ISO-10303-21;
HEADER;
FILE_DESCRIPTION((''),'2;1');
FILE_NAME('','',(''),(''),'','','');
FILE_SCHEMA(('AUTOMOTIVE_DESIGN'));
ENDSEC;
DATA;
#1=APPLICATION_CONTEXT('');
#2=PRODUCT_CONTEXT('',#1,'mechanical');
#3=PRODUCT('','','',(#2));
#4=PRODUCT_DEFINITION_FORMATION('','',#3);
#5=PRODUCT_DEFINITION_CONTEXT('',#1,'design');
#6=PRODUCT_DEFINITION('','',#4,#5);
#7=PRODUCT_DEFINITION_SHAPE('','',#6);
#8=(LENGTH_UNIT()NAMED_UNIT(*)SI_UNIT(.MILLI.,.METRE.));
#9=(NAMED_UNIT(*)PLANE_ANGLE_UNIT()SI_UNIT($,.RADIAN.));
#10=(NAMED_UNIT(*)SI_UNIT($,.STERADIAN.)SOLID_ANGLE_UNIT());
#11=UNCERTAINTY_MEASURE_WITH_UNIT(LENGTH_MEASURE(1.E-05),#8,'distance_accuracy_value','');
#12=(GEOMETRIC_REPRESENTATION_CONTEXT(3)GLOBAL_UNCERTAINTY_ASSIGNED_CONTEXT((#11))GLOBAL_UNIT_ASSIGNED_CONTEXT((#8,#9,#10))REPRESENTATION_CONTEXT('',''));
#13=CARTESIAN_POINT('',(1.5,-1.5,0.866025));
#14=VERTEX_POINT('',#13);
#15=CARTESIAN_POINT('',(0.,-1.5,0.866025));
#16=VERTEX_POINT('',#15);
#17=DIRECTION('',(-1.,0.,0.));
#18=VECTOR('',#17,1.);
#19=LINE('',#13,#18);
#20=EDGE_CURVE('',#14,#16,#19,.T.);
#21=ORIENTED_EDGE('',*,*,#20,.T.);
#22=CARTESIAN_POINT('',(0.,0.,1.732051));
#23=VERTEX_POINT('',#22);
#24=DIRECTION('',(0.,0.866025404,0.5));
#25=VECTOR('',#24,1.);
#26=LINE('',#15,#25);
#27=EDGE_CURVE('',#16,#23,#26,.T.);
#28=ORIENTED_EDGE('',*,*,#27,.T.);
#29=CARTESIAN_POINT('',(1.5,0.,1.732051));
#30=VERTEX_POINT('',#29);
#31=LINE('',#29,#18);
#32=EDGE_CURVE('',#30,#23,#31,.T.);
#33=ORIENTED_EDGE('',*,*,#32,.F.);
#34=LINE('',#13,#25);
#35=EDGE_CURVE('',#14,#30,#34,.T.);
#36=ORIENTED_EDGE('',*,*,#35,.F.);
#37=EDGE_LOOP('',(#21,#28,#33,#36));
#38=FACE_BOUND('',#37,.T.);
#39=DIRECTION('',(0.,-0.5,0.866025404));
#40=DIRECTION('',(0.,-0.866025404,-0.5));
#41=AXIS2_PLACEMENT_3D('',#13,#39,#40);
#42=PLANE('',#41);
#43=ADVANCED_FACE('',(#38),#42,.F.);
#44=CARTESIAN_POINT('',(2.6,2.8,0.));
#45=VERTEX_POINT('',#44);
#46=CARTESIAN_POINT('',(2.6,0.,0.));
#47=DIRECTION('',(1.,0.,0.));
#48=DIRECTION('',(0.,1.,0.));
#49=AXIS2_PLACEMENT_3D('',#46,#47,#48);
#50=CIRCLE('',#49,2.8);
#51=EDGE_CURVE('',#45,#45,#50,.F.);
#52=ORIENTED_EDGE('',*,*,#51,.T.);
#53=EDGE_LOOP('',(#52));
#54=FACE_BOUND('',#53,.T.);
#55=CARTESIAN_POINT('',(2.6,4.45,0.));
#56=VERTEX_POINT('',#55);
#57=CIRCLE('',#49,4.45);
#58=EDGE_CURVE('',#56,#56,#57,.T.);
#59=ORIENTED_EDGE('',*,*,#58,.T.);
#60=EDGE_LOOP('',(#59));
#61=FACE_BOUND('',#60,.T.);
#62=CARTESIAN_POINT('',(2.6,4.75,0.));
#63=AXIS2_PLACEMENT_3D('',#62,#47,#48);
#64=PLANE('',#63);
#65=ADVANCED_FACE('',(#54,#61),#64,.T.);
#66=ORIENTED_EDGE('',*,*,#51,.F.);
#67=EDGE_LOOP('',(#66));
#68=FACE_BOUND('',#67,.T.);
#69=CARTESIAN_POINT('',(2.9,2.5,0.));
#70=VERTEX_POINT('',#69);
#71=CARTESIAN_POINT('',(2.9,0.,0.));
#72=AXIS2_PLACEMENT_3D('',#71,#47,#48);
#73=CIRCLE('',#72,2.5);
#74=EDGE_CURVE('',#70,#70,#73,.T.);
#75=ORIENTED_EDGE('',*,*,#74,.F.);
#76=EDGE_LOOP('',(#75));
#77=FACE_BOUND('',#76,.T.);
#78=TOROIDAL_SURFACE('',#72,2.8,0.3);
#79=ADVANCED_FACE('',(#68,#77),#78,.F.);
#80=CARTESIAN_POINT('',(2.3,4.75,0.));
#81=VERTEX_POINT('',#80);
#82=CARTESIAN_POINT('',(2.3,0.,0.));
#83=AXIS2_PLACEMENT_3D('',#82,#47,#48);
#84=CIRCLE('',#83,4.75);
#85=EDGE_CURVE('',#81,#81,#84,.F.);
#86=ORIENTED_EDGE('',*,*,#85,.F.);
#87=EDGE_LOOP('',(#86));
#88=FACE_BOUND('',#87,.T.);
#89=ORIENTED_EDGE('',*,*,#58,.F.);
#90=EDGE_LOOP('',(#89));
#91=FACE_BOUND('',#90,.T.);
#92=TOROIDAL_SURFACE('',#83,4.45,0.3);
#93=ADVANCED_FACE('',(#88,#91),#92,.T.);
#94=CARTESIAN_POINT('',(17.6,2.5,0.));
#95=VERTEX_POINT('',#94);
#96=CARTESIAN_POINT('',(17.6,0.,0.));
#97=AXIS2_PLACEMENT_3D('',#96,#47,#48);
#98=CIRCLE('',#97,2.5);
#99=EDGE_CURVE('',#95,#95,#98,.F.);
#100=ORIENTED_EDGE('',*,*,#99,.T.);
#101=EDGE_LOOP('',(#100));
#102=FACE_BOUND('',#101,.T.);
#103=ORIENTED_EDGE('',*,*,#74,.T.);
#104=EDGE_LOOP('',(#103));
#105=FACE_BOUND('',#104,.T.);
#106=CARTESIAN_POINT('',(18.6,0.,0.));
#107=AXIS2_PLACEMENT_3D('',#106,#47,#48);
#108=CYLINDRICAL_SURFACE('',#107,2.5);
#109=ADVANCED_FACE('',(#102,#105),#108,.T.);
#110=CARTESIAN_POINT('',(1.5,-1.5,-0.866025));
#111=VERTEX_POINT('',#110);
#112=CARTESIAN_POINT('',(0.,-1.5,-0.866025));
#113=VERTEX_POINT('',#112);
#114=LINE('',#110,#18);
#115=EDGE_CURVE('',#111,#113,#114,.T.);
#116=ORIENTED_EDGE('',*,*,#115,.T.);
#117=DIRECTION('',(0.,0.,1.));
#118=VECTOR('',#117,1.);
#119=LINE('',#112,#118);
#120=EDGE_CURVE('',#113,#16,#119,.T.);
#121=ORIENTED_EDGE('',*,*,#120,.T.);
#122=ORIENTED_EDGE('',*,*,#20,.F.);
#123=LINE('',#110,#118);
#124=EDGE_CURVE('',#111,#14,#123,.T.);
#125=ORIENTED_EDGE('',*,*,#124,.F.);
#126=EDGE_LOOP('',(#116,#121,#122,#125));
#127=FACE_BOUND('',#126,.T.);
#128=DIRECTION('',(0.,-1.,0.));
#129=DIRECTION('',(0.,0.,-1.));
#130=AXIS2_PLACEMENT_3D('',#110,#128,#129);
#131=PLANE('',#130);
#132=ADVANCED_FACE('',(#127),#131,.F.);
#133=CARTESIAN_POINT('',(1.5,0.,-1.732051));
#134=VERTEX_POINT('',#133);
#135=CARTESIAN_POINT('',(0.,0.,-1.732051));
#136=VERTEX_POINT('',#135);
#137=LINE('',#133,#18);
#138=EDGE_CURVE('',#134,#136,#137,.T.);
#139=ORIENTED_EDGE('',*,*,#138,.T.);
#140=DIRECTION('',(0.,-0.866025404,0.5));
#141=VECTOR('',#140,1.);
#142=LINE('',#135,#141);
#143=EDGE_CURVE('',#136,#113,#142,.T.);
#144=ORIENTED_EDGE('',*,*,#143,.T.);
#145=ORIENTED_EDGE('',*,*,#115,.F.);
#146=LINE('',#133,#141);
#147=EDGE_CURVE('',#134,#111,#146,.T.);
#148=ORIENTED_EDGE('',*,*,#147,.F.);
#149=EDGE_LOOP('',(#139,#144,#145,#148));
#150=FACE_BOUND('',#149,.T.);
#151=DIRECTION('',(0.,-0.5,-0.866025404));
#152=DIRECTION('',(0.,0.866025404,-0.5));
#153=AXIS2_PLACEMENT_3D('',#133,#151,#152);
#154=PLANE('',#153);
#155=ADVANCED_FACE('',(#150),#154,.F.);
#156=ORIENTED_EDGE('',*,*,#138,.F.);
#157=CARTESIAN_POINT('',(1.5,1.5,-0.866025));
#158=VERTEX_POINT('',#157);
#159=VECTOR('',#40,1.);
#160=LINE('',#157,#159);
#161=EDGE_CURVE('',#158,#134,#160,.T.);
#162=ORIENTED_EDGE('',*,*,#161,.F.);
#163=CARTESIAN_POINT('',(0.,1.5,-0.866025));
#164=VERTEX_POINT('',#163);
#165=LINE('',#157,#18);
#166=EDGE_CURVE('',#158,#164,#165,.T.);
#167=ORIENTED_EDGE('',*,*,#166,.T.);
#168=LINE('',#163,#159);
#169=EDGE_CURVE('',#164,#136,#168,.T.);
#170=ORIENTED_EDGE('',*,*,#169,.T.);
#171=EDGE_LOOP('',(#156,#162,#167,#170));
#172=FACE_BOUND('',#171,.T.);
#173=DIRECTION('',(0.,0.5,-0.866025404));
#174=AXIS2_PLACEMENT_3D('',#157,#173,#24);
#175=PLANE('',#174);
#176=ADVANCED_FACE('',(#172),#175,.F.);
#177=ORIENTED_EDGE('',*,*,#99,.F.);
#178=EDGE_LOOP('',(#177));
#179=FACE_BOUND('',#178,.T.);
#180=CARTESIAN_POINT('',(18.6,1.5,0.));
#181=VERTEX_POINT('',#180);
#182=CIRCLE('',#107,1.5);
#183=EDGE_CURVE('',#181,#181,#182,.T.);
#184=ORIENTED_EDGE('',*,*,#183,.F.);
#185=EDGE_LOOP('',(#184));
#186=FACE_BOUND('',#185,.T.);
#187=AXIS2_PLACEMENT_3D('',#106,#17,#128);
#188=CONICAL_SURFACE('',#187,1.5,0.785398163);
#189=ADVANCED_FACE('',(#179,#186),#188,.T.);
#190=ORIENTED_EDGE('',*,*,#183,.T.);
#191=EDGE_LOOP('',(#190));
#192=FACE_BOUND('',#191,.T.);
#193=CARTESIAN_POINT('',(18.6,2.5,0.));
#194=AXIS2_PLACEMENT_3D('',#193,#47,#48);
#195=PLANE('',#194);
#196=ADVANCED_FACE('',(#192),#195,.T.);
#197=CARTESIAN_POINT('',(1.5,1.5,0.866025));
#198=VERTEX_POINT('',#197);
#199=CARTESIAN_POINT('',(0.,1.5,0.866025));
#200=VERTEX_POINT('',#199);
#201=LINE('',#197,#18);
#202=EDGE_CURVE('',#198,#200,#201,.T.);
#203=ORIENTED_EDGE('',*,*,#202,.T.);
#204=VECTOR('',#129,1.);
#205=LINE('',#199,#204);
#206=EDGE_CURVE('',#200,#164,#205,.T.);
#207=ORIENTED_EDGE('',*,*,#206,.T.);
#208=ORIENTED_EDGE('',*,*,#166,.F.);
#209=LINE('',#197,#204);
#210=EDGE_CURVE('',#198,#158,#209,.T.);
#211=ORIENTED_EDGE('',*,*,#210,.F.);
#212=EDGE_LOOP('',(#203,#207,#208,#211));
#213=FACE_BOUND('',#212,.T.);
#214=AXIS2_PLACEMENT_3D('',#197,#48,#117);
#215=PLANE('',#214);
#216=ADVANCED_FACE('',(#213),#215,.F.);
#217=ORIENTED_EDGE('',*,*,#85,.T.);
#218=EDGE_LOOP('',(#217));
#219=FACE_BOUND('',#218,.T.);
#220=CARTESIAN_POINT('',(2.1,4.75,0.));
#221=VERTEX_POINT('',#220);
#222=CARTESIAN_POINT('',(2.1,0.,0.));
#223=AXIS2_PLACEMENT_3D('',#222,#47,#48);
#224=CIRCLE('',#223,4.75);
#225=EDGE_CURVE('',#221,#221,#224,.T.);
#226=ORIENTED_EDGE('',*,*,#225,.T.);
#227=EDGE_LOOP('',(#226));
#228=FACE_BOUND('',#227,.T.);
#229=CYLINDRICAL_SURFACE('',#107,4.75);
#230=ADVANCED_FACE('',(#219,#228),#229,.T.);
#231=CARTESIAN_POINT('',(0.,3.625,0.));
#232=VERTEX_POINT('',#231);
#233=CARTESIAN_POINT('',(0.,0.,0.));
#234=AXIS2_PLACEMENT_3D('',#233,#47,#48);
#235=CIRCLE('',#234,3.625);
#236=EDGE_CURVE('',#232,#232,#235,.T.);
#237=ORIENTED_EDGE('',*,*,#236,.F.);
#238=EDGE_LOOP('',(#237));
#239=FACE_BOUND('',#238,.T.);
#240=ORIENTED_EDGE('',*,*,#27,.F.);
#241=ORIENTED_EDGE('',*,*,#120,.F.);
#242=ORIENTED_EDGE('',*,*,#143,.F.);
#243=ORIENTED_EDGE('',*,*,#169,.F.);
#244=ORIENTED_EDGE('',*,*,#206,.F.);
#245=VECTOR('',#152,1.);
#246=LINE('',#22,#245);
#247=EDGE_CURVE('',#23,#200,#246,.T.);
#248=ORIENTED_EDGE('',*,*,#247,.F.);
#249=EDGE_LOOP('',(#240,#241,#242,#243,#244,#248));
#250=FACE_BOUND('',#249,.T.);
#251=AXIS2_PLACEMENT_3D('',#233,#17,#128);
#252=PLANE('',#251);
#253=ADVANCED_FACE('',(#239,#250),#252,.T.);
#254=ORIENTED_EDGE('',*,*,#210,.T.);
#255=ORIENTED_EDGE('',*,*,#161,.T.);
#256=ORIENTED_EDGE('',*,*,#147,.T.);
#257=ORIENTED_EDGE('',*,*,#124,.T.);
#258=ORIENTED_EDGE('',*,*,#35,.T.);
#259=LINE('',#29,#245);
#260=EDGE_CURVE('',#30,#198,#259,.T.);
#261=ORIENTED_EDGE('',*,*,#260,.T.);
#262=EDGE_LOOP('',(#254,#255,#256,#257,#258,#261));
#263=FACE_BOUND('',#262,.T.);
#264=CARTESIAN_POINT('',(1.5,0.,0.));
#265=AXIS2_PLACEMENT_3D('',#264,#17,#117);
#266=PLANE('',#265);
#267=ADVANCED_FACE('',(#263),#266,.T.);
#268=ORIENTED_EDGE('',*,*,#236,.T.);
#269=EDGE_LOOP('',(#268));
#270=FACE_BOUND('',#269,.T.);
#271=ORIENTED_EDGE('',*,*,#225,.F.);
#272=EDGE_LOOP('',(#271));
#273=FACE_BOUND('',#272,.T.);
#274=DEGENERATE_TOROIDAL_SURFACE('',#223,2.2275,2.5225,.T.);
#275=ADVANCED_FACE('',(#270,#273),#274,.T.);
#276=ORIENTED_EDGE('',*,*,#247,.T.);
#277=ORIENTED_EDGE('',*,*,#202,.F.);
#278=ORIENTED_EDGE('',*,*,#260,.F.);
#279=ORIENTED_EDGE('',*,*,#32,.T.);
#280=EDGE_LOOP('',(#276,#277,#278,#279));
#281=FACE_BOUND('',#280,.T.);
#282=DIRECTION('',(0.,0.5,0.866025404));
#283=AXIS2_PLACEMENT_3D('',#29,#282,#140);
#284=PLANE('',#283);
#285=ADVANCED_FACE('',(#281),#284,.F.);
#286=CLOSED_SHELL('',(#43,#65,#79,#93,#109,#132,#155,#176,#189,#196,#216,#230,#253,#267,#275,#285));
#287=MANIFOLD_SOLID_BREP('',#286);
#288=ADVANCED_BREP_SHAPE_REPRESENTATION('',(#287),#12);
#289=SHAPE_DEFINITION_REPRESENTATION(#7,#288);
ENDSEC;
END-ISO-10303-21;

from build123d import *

# Parameters (mm, degrees)
CUT_EXTRUDE_1_DEPTH = 1.5
FILLET_1_R          = 0.3
CHAMFER_1_SIZE      = 1


with BuildPart() as part:
    # Эскиз1 → Повернуть1 (revolve)
    with BuildSketch(Plane.XY):
        with BuildLine():
            Line((0, 0), (0, 3.625))
            ThreePointArc((0, 3.625), (0.908821487, 4.451033224), (2.1, 4.75))
            Line((2.1, 4.75), (2.6, 4.75))
            Line((2.6, 4.75), (2.6, 2.5))
            Line((2.6, 2.5), (18.6, 2.5))
            Line((18.6, 2.5), (18.6, 0))
            Line((18.6, 0), (0, 0))
        make_face()
    revolve(axis=Axis((18.6, 0, 0), (-1, 0, 0)))

    # Эскиз2 → Вырез-Вытянуть1 (cut)
    with BuildSketch(Plane.ZY):
        Polygon((0.866025404, 1.5), (-0.866025404, 1.5), (-1.732050808, 0), (-0.866025404, -1.5), (0.866025404, -1.5), (1.732050808, 0), align=None)
    extrude(amount=-CUT_EXTRUDE_1_DEPTH, mode=Mode.SUBTRACT)

    # Скругление1
    fillet_1_edges = [part.edges().sort_by_distance(p)[0] for p in [
        (2.6, -2.5, 0),
        (2.6, -4.75, 0),
    ]]
    fillet(fillet_1_edges, radius=FILLET_1_R)

    # Фаска1
    chamfer_1_edges = [part.edges().sort_by_distance(p)[0] for p in [
        (18.6, -2.5, 0),
    ]]
    chamfer(chamfer_1_edges, length=CHAMFER_1_SIZE)


solid = part.part
